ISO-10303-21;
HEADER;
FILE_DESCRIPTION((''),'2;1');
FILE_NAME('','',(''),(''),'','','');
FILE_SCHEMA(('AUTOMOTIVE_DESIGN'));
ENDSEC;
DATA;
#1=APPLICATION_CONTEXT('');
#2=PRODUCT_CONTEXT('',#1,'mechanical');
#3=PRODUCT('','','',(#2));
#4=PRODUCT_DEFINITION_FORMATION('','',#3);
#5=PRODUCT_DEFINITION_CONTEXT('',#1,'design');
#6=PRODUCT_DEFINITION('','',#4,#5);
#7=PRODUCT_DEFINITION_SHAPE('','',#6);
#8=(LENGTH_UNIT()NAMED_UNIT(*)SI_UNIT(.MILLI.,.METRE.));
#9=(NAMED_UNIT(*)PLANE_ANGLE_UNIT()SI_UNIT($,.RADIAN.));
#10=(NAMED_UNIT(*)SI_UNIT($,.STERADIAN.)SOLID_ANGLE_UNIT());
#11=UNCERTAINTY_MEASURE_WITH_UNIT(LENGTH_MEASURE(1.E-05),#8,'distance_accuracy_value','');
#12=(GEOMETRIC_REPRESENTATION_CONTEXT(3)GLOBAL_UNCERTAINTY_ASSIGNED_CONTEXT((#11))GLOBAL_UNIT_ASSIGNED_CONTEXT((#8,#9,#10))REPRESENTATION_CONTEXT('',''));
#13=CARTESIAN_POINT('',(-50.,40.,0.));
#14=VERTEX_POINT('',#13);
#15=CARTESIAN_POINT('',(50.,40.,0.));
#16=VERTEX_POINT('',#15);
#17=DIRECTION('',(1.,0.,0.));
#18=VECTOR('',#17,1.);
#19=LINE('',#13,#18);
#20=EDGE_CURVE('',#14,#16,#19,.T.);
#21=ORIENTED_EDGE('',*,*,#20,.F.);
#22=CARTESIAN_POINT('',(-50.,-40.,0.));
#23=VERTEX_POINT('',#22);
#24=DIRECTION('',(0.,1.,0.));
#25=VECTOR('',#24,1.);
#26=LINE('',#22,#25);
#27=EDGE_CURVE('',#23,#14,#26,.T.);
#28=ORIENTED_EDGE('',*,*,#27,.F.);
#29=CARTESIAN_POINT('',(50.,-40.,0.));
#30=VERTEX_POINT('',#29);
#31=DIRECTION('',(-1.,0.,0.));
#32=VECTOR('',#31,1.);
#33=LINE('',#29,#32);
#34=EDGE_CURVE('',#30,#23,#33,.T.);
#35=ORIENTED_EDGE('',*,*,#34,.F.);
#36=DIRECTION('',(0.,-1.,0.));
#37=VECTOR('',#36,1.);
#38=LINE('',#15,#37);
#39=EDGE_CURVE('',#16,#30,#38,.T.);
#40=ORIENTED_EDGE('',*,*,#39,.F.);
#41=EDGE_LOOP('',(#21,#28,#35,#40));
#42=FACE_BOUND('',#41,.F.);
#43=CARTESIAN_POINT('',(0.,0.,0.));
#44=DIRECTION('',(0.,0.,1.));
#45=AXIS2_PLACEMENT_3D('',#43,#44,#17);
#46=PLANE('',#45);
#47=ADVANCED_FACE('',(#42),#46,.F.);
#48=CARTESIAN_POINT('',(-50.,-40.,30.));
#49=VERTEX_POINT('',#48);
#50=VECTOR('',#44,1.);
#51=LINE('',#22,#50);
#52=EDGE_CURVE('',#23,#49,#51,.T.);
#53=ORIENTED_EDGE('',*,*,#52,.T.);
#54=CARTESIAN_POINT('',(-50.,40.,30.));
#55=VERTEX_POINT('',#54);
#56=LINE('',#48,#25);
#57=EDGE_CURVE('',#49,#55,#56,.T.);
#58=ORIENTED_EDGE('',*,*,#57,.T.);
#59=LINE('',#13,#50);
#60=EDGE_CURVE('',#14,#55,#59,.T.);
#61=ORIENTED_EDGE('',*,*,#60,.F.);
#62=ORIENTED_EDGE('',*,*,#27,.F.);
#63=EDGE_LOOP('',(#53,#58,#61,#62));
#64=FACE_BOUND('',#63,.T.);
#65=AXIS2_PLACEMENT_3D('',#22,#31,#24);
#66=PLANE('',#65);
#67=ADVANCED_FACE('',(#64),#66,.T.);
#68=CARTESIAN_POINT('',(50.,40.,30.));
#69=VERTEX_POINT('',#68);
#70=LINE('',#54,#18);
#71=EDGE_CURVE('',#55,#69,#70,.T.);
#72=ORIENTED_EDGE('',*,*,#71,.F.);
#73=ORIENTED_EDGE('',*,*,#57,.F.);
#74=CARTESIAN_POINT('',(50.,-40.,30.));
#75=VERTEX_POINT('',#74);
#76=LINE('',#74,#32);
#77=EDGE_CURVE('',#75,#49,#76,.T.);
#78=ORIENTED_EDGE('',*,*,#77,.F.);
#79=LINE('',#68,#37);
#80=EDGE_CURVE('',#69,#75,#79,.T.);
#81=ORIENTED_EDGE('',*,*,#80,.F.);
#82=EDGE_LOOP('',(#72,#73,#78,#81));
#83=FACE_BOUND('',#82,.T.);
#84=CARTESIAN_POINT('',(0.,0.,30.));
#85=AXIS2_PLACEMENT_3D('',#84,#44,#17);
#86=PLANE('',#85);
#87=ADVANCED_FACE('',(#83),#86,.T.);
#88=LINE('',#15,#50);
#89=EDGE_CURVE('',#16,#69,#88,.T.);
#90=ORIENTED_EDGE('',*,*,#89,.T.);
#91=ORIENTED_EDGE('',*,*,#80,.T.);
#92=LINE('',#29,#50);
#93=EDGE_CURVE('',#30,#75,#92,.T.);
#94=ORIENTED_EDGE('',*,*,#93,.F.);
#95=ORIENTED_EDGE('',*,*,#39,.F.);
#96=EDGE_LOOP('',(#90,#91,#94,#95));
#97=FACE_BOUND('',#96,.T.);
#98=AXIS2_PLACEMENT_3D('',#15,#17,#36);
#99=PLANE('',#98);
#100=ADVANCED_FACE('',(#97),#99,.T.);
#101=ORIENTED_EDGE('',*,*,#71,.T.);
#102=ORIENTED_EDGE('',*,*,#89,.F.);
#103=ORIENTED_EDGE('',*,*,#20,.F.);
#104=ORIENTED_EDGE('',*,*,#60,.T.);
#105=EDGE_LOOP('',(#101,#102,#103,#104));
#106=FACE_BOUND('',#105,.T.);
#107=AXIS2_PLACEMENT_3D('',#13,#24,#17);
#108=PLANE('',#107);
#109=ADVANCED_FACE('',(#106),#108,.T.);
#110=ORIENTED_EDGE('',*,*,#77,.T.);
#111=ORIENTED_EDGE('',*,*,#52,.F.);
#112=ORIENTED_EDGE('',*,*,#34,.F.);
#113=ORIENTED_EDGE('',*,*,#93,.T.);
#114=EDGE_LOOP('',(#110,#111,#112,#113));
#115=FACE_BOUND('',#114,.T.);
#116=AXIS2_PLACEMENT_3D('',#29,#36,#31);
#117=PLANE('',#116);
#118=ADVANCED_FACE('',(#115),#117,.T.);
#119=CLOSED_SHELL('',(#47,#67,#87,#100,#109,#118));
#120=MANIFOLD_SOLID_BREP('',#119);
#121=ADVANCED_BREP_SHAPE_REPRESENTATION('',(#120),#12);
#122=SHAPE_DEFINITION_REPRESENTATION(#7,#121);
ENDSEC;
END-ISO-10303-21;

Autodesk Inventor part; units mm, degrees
ref_plane "YZ Plane" through (0, 0, 0) normal (1, 0, 0) x (0, 1, 0)
ref_plane "XZ Plane" through (0, 0, 0) normal (0, 1, 0) x (-1, 0, 0)
ref_plane "XY Plane" through (0, 0, 0) normal (0, 0, 1) x (1, 0, 0)
sketch "スケッチ1" plane through (0, 0, 0) normal (0, 0, 1) x (1, 0, 0)
  line L0 (-50, 40) -> (50, 40)
  line L1 (50, 40) -> (50, -40)
  line L2 (50, -40) -> (-50, -40)
  line L3 (-50, -40) -> (-50, 40)
  line L4 (-50, 40) -> (50, -40) construction
  line L5 (50, 40) -> (-50, -40) construction
  point P0 (0, 0)
  dimension "d0" = 100
  dimension "d1" = 80
extrude "押し出し1" add sketch "スケッチ1" along normal blind 30
properties part number "Motor board"
